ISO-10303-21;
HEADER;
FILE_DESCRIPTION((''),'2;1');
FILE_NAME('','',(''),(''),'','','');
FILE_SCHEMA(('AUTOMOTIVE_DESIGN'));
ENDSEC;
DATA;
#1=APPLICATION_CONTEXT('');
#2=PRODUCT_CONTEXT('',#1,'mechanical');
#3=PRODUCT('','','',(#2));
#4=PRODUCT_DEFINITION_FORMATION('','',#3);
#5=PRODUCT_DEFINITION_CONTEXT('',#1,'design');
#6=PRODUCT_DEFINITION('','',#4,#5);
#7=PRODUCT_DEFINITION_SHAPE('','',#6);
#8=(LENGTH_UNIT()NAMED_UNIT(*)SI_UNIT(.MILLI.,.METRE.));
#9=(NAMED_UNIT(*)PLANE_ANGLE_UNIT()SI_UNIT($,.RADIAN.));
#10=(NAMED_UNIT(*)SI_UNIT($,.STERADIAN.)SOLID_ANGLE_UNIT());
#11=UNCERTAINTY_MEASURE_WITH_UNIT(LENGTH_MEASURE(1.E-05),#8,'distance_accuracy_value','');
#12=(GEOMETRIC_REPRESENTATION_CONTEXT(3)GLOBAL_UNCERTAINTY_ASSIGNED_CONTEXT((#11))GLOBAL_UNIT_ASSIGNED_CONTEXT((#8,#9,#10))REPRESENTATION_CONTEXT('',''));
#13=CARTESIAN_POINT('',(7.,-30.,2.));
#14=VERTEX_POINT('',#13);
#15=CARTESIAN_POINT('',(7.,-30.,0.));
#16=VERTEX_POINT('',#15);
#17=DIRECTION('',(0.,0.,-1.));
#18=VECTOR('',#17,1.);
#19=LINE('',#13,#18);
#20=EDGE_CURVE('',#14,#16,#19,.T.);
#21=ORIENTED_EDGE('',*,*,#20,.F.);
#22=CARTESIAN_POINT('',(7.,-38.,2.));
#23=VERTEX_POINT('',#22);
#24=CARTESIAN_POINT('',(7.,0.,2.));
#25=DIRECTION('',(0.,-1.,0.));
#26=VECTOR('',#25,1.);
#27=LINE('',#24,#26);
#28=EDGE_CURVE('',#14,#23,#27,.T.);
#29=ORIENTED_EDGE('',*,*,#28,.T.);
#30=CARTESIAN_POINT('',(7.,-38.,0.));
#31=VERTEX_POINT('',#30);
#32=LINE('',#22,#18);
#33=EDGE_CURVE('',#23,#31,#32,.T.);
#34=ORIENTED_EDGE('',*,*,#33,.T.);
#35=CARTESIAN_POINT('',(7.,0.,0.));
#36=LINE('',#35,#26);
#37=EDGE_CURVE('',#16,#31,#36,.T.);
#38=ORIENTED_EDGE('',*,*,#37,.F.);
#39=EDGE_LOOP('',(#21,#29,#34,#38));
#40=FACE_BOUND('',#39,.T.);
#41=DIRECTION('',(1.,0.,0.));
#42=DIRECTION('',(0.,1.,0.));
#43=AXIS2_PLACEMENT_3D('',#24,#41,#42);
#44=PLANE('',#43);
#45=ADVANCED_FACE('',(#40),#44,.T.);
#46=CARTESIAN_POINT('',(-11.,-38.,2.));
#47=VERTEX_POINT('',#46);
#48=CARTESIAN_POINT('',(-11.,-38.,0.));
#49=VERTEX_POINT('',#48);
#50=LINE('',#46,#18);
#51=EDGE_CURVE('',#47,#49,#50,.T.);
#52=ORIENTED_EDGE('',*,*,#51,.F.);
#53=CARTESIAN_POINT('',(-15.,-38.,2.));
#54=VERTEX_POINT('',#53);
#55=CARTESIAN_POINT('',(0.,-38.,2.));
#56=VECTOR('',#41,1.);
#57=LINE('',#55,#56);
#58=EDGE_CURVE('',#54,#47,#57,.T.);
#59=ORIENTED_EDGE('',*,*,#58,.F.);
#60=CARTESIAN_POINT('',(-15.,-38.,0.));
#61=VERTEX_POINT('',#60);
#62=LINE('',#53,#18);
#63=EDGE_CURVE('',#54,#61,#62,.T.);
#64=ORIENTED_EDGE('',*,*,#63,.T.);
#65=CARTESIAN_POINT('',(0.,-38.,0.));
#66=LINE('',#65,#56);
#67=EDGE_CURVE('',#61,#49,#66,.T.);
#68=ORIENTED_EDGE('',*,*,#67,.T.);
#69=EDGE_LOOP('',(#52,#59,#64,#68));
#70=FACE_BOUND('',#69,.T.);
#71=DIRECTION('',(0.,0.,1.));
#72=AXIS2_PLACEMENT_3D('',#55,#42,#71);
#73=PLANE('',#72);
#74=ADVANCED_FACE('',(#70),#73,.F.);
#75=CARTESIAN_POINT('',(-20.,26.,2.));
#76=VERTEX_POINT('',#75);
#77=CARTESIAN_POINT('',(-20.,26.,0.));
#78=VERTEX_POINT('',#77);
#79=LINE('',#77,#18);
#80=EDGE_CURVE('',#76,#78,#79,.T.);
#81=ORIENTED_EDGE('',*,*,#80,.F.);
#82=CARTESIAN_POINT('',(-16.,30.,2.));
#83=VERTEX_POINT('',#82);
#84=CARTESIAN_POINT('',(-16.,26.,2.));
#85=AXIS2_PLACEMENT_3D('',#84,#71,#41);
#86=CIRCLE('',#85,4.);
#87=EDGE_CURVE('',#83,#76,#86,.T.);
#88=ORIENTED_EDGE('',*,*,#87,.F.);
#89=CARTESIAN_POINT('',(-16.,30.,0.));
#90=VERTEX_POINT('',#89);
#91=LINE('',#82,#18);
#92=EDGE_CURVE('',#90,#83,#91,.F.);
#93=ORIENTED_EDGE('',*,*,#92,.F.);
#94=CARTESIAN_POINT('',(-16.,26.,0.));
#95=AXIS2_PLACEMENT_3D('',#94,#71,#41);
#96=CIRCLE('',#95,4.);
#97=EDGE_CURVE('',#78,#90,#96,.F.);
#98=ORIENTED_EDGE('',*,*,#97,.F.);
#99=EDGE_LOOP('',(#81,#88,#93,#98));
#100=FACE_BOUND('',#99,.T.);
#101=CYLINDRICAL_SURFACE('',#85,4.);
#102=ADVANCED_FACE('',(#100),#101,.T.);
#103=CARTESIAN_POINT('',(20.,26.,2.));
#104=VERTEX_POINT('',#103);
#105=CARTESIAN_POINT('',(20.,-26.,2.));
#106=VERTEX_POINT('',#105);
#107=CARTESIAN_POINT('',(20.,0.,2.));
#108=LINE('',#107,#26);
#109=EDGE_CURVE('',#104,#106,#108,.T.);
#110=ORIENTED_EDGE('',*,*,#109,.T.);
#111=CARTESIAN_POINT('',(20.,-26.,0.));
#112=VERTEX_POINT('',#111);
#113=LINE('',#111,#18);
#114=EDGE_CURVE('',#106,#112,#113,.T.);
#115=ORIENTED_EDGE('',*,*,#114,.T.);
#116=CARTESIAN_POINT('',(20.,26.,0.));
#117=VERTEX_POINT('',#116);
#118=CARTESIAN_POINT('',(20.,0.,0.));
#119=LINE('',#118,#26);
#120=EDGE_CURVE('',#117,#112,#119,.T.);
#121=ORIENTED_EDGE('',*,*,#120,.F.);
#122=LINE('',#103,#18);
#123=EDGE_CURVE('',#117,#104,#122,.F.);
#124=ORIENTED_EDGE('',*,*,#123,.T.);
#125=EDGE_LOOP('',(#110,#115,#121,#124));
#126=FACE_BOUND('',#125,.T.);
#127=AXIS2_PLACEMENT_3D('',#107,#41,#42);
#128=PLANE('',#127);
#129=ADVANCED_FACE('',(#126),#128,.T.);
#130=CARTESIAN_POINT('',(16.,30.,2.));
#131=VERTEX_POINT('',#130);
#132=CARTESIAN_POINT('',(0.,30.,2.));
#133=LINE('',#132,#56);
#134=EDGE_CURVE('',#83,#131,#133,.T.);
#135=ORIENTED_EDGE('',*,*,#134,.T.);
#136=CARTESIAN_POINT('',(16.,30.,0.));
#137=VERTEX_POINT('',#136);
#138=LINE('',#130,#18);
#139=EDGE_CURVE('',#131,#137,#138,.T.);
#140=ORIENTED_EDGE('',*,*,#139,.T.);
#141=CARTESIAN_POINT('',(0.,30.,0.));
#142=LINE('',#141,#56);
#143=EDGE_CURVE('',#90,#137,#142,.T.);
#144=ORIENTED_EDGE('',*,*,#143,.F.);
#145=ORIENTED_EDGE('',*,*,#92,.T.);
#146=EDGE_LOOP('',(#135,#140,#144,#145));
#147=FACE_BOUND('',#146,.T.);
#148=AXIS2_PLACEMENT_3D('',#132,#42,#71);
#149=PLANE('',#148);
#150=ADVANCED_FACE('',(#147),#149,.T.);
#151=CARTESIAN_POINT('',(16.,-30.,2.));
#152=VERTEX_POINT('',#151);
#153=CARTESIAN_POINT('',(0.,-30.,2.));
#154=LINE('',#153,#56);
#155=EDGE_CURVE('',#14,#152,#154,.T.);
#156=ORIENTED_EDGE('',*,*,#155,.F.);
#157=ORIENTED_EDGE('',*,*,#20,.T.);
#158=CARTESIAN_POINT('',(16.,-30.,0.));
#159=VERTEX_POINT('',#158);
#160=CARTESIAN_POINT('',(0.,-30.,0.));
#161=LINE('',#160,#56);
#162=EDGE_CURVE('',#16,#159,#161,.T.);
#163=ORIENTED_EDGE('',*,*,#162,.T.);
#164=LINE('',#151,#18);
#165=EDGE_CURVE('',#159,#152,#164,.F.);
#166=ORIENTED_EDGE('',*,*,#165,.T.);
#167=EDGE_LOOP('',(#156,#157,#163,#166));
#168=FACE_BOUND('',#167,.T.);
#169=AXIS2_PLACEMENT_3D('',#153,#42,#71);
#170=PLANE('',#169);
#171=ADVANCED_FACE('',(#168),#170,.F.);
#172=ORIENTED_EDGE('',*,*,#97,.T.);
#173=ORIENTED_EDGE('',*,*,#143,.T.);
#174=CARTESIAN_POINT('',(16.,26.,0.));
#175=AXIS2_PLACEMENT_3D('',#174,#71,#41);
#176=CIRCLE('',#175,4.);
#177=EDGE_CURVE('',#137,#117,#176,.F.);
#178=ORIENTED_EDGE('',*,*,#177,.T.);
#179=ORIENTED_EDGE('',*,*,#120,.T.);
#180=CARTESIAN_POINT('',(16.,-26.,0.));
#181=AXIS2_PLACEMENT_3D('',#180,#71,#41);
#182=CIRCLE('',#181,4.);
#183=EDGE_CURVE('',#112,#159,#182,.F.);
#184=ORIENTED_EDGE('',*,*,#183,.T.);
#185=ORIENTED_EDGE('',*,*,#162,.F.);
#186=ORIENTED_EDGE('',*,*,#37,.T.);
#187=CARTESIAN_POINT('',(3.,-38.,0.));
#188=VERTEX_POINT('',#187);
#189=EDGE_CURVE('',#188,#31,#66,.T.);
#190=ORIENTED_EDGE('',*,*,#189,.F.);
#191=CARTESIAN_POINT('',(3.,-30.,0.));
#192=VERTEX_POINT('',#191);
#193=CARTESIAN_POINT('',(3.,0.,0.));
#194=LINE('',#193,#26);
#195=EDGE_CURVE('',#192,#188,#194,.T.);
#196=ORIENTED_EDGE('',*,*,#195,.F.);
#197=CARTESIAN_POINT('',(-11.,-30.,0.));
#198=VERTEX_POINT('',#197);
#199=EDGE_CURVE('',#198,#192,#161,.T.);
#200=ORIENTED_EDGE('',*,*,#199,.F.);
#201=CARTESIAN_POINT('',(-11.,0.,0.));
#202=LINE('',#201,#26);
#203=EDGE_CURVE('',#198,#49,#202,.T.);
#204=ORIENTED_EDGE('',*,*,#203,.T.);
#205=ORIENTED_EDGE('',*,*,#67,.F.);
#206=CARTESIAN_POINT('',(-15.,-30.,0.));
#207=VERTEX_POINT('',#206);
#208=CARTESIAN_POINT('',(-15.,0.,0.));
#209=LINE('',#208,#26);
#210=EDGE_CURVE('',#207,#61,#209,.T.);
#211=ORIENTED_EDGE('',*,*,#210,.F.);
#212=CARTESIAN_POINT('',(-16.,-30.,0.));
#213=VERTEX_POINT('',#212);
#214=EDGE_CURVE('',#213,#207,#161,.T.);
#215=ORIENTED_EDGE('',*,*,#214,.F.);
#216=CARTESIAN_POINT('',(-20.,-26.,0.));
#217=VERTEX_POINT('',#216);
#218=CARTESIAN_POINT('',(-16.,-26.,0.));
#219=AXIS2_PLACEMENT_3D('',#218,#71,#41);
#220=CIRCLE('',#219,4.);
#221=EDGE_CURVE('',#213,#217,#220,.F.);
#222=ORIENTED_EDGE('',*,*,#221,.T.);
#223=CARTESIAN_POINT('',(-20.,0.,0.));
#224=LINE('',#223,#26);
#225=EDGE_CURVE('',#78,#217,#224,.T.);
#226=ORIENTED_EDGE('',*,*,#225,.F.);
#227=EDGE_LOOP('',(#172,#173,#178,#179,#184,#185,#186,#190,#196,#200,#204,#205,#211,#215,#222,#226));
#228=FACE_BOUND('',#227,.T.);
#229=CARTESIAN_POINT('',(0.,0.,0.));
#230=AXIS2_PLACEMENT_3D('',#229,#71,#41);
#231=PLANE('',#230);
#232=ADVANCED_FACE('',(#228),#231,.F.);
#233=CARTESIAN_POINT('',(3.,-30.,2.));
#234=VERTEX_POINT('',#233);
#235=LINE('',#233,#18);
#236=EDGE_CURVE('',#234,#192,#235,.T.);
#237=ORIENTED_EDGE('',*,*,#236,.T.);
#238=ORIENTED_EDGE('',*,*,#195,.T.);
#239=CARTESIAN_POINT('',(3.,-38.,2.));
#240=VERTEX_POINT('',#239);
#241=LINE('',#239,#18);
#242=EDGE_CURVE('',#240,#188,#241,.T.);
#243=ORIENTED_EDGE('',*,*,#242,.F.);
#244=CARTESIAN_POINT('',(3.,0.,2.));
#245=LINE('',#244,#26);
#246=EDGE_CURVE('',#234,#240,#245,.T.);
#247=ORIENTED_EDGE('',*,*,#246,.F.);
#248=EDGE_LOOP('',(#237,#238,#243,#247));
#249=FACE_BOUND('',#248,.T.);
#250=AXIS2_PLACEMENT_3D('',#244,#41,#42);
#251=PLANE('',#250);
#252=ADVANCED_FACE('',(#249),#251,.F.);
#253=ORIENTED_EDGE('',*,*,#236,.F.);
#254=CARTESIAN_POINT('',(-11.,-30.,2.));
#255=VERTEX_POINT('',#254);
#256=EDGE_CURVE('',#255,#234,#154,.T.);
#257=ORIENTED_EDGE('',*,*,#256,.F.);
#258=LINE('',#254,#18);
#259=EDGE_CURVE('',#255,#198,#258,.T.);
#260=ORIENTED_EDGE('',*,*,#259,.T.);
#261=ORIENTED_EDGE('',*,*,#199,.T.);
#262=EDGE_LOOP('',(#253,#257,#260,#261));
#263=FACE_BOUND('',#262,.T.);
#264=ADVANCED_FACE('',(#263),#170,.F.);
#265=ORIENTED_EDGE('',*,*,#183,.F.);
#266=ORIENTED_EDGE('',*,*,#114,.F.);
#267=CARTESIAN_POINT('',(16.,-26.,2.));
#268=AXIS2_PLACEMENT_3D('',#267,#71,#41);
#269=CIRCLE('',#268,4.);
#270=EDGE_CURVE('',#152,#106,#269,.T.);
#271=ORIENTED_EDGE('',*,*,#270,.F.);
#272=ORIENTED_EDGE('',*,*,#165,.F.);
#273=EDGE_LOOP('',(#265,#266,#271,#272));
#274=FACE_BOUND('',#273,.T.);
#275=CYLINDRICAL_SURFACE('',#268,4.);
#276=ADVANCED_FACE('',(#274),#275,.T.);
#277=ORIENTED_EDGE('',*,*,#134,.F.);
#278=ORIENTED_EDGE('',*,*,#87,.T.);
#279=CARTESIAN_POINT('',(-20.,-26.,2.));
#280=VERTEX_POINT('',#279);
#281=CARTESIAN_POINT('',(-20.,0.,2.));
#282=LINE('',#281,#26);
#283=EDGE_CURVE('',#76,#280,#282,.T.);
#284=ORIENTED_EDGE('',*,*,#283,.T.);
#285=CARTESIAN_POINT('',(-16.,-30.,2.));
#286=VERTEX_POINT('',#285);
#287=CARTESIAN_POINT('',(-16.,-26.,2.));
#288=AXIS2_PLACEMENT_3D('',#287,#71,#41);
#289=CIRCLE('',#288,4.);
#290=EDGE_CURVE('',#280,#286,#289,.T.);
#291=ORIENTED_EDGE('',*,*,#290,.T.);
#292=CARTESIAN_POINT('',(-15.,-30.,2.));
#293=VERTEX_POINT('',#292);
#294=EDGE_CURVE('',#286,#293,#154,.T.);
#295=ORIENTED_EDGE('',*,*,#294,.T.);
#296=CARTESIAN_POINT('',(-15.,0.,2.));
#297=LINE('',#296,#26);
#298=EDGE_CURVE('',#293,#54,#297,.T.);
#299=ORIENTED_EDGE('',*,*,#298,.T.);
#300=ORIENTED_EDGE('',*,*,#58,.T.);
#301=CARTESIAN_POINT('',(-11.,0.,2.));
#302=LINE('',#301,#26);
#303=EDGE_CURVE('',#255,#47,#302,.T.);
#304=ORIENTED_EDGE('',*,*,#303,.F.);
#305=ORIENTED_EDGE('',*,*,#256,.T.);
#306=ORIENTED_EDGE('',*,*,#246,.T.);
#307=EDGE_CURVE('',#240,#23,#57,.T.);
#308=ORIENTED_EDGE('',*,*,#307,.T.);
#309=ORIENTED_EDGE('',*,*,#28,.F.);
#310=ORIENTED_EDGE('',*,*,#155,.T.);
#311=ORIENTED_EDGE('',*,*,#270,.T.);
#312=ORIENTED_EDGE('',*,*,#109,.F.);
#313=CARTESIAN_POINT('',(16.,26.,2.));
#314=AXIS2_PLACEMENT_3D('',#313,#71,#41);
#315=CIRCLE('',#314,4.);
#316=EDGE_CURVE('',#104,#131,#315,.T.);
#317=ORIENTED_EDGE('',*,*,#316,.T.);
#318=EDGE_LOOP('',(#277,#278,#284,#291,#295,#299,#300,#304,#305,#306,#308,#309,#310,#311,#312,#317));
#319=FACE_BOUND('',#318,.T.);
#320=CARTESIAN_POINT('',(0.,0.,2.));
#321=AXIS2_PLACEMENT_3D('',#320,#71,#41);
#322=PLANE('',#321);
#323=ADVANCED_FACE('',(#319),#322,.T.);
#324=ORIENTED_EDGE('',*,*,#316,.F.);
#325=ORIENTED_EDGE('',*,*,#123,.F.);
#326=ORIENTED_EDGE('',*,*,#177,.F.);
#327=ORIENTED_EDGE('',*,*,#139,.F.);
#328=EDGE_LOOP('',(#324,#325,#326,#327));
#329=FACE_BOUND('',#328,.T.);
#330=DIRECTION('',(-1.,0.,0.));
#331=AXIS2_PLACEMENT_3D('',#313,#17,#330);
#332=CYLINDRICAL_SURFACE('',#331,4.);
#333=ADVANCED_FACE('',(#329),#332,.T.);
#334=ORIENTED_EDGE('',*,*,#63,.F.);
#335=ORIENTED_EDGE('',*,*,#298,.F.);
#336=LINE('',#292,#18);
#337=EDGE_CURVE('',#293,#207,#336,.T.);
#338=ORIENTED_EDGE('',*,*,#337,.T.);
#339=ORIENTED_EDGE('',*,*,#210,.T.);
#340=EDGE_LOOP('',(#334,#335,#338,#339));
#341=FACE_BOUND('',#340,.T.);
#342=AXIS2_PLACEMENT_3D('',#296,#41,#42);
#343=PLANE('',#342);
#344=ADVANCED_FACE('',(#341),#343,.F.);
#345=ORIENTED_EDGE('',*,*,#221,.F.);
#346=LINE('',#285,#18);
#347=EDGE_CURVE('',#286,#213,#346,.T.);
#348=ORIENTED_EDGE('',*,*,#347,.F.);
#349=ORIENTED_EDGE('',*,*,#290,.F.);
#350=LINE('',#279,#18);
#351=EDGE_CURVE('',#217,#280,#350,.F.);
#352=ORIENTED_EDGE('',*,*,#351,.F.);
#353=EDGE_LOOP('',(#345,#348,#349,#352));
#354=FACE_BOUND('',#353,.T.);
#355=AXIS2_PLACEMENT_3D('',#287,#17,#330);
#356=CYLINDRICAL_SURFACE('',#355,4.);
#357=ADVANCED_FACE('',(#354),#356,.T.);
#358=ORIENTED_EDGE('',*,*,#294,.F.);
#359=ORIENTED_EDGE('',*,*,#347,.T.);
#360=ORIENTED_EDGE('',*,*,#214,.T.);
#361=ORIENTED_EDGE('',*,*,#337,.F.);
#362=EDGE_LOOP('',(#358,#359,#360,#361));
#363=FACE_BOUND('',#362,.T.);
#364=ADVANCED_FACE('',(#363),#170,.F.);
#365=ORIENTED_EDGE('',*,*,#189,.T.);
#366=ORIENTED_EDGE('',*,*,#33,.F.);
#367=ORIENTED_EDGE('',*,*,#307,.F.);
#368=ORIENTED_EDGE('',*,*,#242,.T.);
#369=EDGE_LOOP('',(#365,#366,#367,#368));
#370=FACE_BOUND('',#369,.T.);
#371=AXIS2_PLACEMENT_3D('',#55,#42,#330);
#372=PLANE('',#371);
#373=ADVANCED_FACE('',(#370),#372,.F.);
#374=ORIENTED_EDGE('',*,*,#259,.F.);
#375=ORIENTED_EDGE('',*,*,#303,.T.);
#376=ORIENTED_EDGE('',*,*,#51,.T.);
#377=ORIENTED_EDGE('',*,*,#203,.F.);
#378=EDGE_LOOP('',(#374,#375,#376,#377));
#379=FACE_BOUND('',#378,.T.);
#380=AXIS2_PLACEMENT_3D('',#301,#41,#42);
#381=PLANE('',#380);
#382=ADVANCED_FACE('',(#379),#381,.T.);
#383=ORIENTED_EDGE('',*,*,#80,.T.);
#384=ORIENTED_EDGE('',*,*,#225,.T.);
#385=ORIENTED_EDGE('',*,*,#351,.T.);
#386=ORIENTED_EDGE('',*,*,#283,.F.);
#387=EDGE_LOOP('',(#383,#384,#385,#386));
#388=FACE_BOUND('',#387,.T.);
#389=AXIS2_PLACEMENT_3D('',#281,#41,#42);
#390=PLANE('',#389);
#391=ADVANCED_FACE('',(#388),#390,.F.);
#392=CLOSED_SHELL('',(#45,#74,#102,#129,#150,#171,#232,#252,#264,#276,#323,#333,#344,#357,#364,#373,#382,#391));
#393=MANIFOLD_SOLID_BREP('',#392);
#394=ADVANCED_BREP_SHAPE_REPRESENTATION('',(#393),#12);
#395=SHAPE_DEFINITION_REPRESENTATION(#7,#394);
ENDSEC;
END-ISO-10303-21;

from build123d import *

# Parameters (mm, degrees)
SKETCH_1_W      = 40
SKETCH_1_H      = 60
SKETCH_1_W_2    = 4
SKETCH_1_H_2    = 8
EXTRUDE_1_DEPTH = 2
FILLET_1_R      = 4


with BuildPart() as part:
    # 草图1 → 凸台-拉伸1 (new body)
    with BuildSketch(Plane.XY):
        Rectangle(SKETCH_1_W, SKETCH_1_H)
        with Locations((-13, -34)):
            Rectangle(SKETCH_1_W_2, SKETCH_1_H_2)
        with Locations((5, -34)):
            Rectangle(SKETCH_1_W_2, SKETCH_1_H_2)
    extrude(amount=EXTRUDE_1_DEPTH)

    # 圆角1
    fillet_1_edges = [part.edges().sort_by_distance(p)[0] for p in [
        (20, -30, 1),
        (-20, -30, 1),
        (-20, 30, 1),
        (20, 30, 1),
    ]]
    fillet(fillet_1_edges, radius=FILLET_1_R)


solid = part.part
